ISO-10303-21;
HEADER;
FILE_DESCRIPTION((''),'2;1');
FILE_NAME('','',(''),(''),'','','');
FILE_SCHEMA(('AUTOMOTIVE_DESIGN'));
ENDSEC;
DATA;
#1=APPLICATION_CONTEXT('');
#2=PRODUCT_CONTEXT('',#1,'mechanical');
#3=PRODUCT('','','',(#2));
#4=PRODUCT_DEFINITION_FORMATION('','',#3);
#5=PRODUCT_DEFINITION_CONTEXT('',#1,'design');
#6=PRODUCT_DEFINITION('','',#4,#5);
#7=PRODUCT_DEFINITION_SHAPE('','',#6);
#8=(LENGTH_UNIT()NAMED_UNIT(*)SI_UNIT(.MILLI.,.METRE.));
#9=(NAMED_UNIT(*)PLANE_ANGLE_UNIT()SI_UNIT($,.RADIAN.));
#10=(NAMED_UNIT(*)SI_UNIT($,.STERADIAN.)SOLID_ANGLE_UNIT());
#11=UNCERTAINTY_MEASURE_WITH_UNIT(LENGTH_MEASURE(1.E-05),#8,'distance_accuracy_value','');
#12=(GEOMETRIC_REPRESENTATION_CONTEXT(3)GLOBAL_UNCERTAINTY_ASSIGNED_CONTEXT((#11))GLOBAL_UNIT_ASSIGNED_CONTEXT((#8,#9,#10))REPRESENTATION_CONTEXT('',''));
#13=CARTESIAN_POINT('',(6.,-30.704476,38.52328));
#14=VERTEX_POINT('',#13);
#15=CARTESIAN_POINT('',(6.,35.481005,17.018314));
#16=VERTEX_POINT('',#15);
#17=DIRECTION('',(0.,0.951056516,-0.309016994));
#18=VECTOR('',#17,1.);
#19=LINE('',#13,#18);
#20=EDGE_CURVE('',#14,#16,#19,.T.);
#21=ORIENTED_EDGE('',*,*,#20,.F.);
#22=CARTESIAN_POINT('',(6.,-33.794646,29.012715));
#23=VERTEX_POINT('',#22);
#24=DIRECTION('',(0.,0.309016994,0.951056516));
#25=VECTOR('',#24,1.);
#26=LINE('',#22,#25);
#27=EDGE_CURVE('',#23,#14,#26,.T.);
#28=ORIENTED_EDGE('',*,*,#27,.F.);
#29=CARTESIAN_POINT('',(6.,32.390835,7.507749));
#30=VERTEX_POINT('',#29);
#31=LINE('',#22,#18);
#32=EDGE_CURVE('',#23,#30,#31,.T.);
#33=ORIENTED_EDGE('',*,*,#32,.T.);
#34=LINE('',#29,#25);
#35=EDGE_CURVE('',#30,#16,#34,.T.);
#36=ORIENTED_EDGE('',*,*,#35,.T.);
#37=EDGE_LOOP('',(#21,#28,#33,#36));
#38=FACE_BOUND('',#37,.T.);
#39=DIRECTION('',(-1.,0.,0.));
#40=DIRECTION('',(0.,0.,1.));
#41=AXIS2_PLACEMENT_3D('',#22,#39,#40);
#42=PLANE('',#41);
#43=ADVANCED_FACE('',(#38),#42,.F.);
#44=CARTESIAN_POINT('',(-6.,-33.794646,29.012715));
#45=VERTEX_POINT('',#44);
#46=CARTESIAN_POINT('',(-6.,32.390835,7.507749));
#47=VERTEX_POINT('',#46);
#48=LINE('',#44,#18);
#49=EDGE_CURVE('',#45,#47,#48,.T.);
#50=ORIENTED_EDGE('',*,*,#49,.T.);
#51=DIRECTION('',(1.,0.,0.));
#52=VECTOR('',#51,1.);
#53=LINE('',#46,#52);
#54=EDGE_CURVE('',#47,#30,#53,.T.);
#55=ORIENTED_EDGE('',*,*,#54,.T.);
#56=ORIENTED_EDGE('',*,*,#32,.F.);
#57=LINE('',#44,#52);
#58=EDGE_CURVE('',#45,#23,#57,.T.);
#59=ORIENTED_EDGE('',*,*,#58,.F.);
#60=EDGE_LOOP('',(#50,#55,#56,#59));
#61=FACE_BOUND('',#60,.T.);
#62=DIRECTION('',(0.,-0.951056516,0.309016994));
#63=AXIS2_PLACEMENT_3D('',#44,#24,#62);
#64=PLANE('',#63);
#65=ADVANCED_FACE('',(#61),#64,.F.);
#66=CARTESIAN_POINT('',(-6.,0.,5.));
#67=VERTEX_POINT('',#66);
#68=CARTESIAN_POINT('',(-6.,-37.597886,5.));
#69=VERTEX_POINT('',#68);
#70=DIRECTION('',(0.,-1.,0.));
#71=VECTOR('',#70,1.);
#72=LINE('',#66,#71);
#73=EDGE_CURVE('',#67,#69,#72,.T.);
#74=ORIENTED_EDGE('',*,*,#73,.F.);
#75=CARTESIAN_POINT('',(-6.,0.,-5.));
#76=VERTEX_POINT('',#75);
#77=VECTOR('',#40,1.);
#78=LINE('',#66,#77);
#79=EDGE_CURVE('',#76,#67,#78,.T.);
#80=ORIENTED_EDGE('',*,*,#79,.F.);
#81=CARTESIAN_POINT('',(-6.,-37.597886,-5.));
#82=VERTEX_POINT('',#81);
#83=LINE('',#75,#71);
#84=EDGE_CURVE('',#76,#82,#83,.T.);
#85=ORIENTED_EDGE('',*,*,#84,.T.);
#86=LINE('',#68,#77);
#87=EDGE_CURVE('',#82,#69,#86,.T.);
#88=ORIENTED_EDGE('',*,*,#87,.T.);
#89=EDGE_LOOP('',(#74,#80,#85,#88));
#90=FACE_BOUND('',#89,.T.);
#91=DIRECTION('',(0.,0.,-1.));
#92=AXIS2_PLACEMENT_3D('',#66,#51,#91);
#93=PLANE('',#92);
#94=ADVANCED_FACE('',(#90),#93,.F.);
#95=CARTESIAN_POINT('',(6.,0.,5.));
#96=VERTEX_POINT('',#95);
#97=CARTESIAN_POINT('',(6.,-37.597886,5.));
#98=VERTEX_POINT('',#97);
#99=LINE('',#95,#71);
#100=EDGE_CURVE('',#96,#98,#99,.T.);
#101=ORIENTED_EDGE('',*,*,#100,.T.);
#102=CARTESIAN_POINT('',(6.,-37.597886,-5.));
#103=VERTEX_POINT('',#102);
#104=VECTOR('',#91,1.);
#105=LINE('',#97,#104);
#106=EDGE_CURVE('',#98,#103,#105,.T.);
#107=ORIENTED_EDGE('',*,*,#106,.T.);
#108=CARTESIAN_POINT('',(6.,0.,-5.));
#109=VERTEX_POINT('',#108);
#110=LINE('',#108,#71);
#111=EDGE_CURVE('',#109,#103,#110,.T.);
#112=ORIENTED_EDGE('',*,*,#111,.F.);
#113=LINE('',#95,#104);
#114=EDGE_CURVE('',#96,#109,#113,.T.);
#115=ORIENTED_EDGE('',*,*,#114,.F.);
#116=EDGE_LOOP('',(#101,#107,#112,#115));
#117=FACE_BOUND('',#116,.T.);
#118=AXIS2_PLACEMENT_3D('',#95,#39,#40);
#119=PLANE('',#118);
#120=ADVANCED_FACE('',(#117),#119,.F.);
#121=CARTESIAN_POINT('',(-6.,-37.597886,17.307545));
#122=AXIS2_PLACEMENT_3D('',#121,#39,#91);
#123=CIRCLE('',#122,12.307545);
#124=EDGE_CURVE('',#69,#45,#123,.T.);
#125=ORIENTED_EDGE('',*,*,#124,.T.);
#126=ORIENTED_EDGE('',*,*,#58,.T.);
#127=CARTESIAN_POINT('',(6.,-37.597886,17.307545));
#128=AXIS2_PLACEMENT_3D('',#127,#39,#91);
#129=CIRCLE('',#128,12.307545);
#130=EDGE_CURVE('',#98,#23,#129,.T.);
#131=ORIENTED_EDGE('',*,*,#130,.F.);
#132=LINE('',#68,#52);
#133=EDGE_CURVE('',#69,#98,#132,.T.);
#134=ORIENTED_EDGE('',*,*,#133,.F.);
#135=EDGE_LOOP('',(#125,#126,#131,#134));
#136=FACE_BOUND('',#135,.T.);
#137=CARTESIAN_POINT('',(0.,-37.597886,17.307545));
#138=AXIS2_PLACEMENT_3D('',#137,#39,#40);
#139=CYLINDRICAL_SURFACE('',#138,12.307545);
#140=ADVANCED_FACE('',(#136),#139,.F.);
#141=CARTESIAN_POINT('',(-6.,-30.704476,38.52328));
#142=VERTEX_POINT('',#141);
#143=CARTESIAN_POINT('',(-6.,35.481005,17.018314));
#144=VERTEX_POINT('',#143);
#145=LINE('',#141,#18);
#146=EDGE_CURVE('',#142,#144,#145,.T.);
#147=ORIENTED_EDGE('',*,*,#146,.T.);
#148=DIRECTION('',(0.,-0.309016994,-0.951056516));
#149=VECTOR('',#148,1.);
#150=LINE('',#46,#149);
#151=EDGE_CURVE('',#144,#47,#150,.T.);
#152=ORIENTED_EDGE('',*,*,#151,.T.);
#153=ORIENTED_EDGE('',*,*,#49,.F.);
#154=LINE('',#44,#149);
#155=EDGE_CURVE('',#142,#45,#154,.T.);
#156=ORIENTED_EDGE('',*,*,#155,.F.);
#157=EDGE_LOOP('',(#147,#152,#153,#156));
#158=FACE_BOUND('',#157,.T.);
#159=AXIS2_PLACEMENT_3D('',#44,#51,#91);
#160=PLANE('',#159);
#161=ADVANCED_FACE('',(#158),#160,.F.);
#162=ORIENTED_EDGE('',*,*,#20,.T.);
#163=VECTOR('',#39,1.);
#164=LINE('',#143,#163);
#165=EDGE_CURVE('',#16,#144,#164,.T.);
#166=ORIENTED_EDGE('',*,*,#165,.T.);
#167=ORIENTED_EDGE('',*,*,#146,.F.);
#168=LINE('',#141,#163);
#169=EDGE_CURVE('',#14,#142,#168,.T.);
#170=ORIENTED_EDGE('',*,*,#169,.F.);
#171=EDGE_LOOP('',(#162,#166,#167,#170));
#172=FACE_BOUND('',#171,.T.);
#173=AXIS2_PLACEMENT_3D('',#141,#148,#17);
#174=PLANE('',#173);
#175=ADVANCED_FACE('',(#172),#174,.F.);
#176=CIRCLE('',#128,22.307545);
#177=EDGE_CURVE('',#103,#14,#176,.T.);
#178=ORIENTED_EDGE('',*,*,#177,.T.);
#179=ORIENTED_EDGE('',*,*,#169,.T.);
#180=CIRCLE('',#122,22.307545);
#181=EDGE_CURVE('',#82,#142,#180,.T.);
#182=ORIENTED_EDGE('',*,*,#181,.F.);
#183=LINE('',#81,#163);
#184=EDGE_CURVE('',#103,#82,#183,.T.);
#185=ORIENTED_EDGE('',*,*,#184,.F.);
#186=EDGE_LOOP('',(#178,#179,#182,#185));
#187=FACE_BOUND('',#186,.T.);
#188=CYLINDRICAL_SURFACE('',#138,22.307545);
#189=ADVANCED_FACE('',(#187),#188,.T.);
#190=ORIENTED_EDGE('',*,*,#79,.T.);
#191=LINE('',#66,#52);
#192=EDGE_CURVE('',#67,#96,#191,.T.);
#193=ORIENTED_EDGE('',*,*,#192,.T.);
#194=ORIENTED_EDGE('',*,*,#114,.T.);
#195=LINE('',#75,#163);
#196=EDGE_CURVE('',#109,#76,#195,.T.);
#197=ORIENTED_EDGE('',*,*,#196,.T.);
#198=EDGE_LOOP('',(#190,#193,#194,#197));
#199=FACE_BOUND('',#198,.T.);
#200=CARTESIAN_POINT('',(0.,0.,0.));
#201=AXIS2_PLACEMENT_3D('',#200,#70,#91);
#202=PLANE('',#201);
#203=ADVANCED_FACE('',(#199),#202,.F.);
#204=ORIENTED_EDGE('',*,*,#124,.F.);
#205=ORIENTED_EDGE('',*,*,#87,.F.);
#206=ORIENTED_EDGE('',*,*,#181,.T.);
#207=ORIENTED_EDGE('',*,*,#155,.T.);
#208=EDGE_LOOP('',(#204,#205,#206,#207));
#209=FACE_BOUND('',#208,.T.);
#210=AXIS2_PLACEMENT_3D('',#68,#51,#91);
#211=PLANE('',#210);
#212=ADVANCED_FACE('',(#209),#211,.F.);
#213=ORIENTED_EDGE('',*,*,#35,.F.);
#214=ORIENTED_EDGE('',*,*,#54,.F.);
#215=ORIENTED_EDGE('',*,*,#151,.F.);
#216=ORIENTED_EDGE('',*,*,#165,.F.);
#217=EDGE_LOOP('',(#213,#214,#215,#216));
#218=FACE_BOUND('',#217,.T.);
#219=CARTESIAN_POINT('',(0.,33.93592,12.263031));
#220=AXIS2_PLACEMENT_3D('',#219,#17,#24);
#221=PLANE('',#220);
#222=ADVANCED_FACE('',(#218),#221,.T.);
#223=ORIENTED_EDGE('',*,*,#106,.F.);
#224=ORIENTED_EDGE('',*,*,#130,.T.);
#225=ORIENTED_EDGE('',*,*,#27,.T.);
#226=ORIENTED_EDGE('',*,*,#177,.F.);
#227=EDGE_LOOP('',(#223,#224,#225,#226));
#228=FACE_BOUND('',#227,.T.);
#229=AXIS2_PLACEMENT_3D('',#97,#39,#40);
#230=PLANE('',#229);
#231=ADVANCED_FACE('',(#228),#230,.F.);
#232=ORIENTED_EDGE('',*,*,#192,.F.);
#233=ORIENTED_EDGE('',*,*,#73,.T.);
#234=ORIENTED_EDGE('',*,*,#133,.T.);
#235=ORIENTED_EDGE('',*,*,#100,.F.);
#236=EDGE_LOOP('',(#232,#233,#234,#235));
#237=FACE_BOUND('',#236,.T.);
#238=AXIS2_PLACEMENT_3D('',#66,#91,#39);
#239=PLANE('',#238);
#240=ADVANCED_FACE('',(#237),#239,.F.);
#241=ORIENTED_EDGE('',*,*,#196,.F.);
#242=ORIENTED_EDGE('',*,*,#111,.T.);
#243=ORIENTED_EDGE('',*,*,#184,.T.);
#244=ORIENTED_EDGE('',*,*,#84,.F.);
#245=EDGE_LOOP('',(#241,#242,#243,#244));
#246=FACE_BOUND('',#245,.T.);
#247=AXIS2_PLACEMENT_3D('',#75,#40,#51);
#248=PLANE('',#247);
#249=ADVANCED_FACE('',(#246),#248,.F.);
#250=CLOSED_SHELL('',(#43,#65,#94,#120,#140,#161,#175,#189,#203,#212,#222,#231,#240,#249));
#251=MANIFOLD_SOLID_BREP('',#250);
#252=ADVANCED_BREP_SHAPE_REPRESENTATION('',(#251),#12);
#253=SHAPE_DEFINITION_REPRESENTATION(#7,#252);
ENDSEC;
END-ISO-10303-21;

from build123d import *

# Parameters (mm, degrees)
ESQUISSE1_W = 12
ESQUISSE1_H = 10


with BuildPart() as part:
    # Balayage1: sweep along a path in Esquisse2
    with BuildLine(Plane(origin=(0, 0, 0), x_dir=(0, 0, -1), z_dir=(1, 0, 0))) as balayage1_path:
        Line((0, 0), (0, -37.597886471))
        ThreePointArc((0, -37.597886471), (-20.015041061, -54.69234646), (-33.767997639, -32.249561064))
        Line((-33.767997639, -32.249561064), (-12.263031239, 33.935919993))
    # Esquisse1 → Balayage1 (sweep)
    with BuildSketch(Plane(origin=(0, 0, 0), x_dir=(1, 0, 0), z_dir=(0, 1, 0))):
        Rectangle(ESQUISSE1_W, ESQUISSE1_H)
    sweep(path=balayage1_path.line)


solid = part.part
